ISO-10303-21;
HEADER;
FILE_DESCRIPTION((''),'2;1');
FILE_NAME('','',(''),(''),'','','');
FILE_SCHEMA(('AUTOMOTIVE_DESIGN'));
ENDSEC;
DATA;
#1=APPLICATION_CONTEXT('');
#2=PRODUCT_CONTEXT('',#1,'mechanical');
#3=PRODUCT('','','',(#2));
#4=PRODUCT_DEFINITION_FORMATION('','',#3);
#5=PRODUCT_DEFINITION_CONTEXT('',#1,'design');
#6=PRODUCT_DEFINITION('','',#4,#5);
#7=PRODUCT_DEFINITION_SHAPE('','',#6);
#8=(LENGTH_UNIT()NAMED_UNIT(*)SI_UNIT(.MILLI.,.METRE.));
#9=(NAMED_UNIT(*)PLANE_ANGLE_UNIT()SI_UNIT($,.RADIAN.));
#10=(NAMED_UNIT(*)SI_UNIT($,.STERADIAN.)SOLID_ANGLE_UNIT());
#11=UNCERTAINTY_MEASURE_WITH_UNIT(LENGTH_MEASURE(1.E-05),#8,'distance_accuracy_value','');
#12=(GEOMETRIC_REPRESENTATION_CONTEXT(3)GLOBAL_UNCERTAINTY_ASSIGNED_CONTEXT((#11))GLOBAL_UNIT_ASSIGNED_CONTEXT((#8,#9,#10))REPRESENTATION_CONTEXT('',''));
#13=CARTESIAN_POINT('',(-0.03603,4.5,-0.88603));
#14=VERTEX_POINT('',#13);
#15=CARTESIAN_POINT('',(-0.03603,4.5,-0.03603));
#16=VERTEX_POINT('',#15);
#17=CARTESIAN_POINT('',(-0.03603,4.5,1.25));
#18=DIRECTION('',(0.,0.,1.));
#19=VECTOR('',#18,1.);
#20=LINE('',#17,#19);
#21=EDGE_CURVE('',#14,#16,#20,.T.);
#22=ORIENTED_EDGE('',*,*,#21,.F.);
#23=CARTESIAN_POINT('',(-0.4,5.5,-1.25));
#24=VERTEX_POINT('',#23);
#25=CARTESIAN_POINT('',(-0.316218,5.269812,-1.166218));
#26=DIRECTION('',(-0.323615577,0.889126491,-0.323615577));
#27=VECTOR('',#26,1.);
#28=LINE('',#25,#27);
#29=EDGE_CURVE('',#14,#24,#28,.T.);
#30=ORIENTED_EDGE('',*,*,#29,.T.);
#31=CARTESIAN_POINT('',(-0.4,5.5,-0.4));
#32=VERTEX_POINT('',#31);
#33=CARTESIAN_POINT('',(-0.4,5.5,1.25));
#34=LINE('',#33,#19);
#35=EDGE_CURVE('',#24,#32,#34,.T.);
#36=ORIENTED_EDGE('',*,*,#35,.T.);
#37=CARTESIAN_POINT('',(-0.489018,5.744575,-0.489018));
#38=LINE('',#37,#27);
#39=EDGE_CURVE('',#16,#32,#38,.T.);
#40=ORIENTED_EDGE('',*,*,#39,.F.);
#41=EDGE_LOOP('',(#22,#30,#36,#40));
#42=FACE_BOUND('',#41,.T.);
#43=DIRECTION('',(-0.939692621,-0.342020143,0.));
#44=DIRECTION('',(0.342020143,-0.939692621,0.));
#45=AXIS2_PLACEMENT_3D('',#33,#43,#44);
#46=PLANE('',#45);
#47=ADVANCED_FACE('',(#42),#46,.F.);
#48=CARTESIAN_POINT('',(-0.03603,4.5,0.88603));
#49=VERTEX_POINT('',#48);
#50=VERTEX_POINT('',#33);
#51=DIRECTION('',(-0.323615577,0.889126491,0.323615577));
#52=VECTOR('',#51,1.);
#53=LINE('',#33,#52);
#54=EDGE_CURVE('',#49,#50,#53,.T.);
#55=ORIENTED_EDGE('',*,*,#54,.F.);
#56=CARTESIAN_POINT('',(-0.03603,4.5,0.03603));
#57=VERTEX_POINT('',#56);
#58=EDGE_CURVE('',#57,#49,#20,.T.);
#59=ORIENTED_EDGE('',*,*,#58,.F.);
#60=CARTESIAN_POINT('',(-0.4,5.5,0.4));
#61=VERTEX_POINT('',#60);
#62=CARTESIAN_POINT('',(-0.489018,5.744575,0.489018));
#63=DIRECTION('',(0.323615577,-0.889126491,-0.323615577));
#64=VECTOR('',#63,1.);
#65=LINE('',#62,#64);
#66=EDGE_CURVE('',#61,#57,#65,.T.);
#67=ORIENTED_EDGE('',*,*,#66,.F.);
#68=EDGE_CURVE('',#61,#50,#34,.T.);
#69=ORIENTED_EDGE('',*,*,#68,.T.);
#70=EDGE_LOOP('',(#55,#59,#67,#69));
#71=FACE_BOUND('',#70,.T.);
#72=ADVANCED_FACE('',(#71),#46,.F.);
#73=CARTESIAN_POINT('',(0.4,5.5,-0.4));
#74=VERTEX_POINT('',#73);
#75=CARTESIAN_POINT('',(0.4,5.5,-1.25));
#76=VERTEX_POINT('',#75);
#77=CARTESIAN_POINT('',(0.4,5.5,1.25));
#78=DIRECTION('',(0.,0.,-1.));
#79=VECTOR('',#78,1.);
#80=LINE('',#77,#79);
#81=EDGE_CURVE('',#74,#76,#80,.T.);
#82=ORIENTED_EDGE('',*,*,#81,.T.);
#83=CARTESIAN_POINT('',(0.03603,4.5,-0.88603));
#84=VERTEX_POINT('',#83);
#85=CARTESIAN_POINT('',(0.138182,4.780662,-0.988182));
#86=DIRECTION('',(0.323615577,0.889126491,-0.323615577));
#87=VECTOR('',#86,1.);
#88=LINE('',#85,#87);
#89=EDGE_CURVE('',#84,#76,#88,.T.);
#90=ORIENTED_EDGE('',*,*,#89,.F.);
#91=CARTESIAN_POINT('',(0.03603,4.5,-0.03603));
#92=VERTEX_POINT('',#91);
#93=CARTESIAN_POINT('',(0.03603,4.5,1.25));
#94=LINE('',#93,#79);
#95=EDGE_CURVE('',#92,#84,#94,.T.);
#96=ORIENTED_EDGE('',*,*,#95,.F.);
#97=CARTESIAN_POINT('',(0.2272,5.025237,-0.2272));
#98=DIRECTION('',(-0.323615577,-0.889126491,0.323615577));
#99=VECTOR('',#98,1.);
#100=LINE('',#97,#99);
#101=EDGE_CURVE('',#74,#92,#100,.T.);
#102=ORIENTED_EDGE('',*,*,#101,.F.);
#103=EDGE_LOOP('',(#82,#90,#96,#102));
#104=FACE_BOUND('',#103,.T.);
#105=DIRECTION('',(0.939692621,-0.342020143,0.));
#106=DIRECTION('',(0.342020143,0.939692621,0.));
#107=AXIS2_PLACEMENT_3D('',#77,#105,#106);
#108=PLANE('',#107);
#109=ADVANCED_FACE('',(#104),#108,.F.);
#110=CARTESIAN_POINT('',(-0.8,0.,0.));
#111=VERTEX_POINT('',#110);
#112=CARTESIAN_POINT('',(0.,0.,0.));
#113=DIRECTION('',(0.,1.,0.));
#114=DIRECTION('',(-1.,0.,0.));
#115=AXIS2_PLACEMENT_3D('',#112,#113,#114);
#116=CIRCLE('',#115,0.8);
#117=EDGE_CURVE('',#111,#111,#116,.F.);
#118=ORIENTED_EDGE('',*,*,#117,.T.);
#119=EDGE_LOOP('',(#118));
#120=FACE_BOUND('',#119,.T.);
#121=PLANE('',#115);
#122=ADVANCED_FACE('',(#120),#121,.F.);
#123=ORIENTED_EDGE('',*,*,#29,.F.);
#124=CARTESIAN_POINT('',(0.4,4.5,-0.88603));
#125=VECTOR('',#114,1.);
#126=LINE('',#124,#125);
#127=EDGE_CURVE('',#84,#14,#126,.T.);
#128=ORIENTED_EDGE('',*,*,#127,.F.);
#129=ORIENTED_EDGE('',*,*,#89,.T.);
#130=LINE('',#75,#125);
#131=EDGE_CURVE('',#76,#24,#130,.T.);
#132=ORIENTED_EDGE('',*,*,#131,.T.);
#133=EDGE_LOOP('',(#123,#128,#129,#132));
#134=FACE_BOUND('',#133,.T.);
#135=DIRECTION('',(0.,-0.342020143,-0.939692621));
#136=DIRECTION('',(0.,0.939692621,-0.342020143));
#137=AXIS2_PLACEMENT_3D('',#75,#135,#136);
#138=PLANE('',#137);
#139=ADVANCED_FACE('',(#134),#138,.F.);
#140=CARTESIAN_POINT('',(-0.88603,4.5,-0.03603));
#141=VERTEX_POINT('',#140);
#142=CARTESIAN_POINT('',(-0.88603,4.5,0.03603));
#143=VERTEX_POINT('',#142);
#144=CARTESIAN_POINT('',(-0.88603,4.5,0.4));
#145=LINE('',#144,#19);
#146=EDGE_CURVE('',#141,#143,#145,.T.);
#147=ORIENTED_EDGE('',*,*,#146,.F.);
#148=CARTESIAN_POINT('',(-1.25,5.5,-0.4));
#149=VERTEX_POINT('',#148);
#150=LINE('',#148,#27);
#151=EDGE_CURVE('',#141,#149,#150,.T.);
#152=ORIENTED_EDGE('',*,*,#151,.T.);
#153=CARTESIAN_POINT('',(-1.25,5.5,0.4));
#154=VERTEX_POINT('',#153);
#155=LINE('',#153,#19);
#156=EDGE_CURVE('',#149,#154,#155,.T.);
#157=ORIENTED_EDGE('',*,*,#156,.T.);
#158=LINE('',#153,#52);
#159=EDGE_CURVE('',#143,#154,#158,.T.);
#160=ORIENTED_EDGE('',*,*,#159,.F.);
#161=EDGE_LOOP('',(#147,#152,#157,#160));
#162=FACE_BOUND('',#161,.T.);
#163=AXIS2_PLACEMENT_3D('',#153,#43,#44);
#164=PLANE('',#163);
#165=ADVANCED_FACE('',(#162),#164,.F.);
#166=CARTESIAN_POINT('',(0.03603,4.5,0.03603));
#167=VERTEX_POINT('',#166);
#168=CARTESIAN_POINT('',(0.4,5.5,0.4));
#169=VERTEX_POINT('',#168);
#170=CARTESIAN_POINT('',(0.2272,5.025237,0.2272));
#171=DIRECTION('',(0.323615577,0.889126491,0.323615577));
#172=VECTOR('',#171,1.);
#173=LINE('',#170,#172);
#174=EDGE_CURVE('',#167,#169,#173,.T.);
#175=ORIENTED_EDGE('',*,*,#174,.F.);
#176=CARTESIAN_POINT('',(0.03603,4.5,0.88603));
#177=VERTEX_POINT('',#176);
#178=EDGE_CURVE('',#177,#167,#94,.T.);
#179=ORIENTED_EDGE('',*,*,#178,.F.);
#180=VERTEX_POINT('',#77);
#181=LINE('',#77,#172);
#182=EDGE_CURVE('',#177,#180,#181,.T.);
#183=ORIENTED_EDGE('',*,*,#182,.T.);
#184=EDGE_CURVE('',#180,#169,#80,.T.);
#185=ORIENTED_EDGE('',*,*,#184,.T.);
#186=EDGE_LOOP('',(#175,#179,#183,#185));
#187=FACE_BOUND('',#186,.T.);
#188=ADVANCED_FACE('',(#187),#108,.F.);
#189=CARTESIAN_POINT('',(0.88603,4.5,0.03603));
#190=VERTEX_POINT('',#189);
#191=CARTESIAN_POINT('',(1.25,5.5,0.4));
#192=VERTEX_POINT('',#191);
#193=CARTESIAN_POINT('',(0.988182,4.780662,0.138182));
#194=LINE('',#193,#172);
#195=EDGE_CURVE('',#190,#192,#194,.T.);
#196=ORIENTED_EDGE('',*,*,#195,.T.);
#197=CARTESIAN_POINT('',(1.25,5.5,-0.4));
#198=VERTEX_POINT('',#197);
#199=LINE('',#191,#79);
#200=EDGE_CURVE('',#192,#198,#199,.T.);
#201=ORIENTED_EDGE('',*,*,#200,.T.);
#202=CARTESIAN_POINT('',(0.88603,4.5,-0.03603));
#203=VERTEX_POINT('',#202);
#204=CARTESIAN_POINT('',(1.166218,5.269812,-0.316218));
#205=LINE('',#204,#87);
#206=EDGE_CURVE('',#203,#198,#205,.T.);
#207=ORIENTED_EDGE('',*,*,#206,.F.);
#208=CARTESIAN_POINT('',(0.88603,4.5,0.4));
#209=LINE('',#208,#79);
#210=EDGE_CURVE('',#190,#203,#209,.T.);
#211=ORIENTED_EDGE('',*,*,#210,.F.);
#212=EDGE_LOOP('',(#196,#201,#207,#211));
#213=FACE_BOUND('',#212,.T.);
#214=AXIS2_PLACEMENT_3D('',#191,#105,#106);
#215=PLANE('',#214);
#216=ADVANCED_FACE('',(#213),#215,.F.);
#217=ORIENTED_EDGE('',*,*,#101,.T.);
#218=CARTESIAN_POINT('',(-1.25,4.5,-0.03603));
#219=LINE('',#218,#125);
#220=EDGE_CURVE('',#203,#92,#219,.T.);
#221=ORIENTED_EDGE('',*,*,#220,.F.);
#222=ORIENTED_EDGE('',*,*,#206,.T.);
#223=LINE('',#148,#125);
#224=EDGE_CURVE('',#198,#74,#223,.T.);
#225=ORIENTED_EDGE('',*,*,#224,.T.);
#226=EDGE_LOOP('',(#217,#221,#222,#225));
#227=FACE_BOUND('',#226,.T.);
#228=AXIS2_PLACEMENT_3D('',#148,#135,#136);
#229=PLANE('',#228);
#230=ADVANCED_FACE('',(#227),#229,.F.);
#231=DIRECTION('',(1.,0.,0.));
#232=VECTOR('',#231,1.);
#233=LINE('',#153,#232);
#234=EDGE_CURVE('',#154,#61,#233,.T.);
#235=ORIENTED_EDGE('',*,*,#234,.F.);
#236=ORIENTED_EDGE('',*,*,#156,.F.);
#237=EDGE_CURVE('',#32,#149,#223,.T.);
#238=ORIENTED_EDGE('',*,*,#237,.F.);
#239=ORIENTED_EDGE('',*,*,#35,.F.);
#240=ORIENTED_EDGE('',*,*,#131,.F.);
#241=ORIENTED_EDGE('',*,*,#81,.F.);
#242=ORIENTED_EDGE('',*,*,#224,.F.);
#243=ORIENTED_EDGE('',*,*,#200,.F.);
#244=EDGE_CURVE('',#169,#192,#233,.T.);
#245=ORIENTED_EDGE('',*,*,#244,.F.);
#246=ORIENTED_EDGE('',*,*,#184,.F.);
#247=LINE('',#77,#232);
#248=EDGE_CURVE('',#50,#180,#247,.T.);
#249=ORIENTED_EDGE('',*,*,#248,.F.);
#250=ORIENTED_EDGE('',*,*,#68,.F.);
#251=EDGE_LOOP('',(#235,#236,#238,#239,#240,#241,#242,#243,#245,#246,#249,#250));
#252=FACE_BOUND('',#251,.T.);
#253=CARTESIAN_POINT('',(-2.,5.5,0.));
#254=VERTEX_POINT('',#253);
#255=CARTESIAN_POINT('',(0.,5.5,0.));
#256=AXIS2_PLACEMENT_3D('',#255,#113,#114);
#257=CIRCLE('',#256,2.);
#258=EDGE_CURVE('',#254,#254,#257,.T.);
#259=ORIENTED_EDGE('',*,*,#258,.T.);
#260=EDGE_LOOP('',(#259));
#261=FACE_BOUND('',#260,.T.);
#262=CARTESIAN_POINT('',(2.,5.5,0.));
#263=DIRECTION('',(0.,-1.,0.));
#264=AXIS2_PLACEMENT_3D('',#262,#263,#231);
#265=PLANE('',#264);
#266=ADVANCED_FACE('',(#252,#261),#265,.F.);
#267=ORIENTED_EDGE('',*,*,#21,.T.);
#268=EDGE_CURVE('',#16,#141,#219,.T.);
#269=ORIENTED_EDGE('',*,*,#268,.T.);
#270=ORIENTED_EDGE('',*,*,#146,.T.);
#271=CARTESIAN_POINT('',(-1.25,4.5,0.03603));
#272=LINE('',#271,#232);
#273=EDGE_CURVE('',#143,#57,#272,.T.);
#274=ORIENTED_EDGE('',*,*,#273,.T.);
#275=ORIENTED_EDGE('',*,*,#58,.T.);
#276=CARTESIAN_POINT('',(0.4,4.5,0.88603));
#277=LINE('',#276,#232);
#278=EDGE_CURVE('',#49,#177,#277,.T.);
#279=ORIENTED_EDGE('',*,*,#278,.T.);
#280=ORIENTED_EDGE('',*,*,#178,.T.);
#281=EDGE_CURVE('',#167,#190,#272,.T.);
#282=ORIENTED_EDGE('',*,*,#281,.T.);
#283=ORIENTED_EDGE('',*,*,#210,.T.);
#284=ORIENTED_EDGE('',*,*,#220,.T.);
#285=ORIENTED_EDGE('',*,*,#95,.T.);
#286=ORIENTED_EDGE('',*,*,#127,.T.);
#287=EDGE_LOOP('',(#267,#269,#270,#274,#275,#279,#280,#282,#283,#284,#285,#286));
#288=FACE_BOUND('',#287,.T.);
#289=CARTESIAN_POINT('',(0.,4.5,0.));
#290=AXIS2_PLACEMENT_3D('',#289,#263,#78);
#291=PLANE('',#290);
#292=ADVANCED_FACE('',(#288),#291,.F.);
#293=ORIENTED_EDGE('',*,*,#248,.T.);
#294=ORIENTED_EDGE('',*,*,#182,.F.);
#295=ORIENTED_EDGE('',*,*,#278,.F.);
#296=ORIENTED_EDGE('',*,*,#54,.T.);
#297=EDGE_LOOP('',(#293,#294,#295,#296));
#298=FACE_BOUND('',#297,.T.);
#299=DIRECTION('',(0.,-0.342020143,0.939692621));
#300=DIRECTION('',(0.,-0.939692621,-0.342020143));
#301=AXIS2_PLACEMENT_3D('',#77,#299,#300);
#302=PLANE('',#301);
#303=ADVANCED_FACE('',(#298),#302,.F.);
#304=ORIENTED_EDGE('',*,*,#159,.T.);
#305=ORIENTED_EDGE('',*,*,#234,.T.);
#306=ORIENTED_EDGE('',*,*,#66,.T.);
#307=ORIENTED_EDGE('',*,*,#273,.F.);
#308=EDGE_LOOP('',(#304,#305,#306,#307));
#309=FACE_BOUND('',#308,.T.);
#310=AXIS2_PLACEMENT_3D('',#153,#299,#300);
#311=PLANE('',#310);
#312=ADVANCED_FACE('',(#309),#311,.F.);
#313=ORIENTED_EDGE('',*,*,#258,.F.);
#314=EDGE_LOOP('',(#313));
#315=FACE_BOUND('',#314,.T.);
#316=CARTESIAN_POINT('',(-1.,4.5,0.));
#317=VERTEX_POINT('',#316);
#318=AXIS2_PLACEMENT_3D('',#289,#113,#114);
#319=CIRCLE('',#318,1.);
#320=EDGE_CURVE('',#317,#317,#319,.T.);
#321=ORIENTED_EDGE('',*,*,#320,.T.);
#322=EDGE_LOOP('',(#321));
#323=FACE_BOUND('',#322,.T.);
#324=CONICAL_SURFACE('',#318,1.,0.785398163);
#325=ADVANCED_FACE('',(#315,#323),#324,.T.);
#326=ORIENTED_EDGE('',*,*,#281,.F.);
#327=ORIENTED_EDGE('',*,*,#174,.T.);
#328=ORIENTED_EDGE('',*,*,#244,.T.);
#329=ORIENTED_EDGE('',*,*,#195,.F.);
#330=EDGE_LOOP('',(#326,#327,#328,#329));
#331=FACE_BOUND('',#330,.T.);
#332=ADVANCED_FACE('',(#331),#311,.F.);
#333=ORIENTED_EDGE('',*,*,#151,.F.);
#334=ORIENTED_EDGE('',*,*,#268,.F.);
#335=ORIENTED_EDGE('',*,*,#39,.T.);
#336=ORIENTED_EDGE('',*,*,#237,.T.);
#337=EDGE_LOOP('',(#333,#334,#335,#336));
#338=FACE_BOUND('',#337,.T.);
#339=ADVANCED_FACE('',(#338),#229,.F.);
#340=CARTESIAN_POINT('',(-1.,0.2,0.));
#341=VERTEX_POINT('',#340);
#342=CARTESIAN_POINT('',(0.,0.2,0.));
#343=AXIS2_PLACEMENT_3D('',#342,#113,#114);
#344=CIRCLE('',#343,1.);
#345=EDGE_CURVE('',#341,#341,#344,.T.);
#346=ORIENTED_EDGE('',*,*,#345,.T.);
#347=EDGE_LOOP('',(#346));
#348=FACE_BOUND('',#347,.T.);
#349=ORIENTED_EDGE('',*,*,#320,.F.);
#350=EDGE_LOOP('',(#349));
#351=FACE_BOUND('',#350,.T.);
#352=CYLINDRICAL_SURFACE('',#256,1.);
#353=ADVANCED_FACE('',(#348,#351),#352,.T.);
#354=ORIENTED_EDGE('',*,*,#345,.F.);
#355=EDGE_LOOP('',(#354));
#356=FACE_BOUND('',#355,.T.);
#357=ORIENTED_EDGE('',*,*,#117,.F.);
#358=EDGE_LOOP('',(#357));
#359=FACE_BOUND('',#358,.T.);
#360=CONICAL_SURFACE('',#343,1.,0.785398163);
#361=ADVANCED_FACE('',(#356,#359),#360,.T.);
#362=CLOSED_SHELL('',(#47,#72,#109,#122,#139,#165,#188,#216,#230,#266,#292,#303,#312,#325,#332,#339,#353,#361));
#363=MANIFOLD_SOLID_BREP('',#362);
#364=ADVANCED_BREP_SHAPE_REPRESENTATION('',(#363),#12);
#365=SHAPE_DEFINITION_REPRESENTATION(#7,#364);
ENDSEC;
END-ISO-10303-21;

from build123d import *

# Parameters (mm, degrees)
CHAMFER1_SIZE               = 0.2
SKETCH2_W                   = 2.5
SKETCH2_H                   = 0.8
CUT_EXTRUDE1_DEPTH          = 1
CUT_EXTRUDE1_DRAFT          = -20
CIRPATTERN1_COPY_1_SKETCH_W = 2.5
CIRPATTERN1_COPY_1_SKETCH_H = 0.8
CIRPATTERN1_COPY_1_DEPTH    = 1
CIRPATTERN1_COPY_1_DRAFT    = -20


with BuildPart() as part:
    # Sketch1 → Revolve1 (revolve)
    with BuildSketch(Plane.XY):
        Polygon((0, 0), (1, 0), (1, 4.5), (2, 5.5), (0, 5.5), align=None)
    revolve(axis=Axis((0, 5.5, 0), (0, -1, 0)))

    # Chamfer1
    chamfer1_edges = [part.edges().sort_by_distance(p)[0] for p in [
        (-1, 0, 0),
    ]]
    chamfer(chamfer1_edges, length=CHAMFER1_SIZE)


with BuildPart() as cut_extrude1_tool:
    # Sketch2 → Cut-Extrude1 (with draft: the straight prism first)
    with BuildSketch(Plane(origin=(0, 5.5, 0), x_dir=(1, 0, 0), z_dir=(0, 1, 0))):
        Rectangle(SKETCH2_W, SKETCH2_H)
    extrude(amount=-CUT_EXTRUDE1_DEPTH)
    # Cut-Extrude1: the draft: its side faces are tilted about the plane it starts from
    cut_extrude1_sides = [cut_extrude1_tool.faces().sort_by_distance(p)[0] for p in [
        (0, 5, 0.4),
        (1.25, 5, 0),
        (0, 5, -0.4),
        (-1.25, 5, 0),
    ]]
    draft(cut_extrude1_sides, Plane(origin=(0, 5.5, 0), x_dir=(1, 0, 0), z_dir=(0, 1, 0)), CUT_EXTRUDE1_DRAFT)


with BuildPart() as part_1:
    add(part.part)

    # Cut-Extrude1: cut by cut_extrude1_tool
    add(cut_extrude1_tool.part, mode=Mode.SUBTRACT)


with BuildPart() as cirpattern1_copy_1_tool:
    # CirPattern1 copy 1 sketch → CirPattern1 copy 1 (with draft: the straight prism first)
    with BuildSketch(Plane(origin=(0, 5.5, 0), x_dir=(0, 0, -1), z_dir=(0, 1, 0))):
        Rectangle(CIRPATTERN1_COPY_1_SKETCH_W, CIRPATTERN1_COPY_1_SKETCH_H)
    extrude(amount=-CIRPATTERN1_COPY_1_DEPTH)
    # CirPattern1 copy 1: the draft: its side faces are tilted about the plane it starts from
    cirpattern1_copy_1_sides = [cirpattern1_copy_1_tool.faces().sort_by_distance(p)[0] for p in [
        (0.4, 5, 0),
        (0, 5, -1.25),
        (-0.4, 5, 0),
        (0, 5, 1.25),
    ]]
    draft(cirpattern1_copy_1_sides, Plane(origin=(0, 5.5, 0), x_dir=(0, 0, -1), z_dir=(0, 1, 0)), CIRPATTERN1_COPY_1_DRAFT)


with BuildPart() as part_2:
    add(part_1.part)

    # CirPattern1 copy 1: cut by cirpattern1_copy_1_tool
    add(cirpattern1_copy_1_tool.part, mode=Mode.SUBTRACT)


solid = part_2.part
